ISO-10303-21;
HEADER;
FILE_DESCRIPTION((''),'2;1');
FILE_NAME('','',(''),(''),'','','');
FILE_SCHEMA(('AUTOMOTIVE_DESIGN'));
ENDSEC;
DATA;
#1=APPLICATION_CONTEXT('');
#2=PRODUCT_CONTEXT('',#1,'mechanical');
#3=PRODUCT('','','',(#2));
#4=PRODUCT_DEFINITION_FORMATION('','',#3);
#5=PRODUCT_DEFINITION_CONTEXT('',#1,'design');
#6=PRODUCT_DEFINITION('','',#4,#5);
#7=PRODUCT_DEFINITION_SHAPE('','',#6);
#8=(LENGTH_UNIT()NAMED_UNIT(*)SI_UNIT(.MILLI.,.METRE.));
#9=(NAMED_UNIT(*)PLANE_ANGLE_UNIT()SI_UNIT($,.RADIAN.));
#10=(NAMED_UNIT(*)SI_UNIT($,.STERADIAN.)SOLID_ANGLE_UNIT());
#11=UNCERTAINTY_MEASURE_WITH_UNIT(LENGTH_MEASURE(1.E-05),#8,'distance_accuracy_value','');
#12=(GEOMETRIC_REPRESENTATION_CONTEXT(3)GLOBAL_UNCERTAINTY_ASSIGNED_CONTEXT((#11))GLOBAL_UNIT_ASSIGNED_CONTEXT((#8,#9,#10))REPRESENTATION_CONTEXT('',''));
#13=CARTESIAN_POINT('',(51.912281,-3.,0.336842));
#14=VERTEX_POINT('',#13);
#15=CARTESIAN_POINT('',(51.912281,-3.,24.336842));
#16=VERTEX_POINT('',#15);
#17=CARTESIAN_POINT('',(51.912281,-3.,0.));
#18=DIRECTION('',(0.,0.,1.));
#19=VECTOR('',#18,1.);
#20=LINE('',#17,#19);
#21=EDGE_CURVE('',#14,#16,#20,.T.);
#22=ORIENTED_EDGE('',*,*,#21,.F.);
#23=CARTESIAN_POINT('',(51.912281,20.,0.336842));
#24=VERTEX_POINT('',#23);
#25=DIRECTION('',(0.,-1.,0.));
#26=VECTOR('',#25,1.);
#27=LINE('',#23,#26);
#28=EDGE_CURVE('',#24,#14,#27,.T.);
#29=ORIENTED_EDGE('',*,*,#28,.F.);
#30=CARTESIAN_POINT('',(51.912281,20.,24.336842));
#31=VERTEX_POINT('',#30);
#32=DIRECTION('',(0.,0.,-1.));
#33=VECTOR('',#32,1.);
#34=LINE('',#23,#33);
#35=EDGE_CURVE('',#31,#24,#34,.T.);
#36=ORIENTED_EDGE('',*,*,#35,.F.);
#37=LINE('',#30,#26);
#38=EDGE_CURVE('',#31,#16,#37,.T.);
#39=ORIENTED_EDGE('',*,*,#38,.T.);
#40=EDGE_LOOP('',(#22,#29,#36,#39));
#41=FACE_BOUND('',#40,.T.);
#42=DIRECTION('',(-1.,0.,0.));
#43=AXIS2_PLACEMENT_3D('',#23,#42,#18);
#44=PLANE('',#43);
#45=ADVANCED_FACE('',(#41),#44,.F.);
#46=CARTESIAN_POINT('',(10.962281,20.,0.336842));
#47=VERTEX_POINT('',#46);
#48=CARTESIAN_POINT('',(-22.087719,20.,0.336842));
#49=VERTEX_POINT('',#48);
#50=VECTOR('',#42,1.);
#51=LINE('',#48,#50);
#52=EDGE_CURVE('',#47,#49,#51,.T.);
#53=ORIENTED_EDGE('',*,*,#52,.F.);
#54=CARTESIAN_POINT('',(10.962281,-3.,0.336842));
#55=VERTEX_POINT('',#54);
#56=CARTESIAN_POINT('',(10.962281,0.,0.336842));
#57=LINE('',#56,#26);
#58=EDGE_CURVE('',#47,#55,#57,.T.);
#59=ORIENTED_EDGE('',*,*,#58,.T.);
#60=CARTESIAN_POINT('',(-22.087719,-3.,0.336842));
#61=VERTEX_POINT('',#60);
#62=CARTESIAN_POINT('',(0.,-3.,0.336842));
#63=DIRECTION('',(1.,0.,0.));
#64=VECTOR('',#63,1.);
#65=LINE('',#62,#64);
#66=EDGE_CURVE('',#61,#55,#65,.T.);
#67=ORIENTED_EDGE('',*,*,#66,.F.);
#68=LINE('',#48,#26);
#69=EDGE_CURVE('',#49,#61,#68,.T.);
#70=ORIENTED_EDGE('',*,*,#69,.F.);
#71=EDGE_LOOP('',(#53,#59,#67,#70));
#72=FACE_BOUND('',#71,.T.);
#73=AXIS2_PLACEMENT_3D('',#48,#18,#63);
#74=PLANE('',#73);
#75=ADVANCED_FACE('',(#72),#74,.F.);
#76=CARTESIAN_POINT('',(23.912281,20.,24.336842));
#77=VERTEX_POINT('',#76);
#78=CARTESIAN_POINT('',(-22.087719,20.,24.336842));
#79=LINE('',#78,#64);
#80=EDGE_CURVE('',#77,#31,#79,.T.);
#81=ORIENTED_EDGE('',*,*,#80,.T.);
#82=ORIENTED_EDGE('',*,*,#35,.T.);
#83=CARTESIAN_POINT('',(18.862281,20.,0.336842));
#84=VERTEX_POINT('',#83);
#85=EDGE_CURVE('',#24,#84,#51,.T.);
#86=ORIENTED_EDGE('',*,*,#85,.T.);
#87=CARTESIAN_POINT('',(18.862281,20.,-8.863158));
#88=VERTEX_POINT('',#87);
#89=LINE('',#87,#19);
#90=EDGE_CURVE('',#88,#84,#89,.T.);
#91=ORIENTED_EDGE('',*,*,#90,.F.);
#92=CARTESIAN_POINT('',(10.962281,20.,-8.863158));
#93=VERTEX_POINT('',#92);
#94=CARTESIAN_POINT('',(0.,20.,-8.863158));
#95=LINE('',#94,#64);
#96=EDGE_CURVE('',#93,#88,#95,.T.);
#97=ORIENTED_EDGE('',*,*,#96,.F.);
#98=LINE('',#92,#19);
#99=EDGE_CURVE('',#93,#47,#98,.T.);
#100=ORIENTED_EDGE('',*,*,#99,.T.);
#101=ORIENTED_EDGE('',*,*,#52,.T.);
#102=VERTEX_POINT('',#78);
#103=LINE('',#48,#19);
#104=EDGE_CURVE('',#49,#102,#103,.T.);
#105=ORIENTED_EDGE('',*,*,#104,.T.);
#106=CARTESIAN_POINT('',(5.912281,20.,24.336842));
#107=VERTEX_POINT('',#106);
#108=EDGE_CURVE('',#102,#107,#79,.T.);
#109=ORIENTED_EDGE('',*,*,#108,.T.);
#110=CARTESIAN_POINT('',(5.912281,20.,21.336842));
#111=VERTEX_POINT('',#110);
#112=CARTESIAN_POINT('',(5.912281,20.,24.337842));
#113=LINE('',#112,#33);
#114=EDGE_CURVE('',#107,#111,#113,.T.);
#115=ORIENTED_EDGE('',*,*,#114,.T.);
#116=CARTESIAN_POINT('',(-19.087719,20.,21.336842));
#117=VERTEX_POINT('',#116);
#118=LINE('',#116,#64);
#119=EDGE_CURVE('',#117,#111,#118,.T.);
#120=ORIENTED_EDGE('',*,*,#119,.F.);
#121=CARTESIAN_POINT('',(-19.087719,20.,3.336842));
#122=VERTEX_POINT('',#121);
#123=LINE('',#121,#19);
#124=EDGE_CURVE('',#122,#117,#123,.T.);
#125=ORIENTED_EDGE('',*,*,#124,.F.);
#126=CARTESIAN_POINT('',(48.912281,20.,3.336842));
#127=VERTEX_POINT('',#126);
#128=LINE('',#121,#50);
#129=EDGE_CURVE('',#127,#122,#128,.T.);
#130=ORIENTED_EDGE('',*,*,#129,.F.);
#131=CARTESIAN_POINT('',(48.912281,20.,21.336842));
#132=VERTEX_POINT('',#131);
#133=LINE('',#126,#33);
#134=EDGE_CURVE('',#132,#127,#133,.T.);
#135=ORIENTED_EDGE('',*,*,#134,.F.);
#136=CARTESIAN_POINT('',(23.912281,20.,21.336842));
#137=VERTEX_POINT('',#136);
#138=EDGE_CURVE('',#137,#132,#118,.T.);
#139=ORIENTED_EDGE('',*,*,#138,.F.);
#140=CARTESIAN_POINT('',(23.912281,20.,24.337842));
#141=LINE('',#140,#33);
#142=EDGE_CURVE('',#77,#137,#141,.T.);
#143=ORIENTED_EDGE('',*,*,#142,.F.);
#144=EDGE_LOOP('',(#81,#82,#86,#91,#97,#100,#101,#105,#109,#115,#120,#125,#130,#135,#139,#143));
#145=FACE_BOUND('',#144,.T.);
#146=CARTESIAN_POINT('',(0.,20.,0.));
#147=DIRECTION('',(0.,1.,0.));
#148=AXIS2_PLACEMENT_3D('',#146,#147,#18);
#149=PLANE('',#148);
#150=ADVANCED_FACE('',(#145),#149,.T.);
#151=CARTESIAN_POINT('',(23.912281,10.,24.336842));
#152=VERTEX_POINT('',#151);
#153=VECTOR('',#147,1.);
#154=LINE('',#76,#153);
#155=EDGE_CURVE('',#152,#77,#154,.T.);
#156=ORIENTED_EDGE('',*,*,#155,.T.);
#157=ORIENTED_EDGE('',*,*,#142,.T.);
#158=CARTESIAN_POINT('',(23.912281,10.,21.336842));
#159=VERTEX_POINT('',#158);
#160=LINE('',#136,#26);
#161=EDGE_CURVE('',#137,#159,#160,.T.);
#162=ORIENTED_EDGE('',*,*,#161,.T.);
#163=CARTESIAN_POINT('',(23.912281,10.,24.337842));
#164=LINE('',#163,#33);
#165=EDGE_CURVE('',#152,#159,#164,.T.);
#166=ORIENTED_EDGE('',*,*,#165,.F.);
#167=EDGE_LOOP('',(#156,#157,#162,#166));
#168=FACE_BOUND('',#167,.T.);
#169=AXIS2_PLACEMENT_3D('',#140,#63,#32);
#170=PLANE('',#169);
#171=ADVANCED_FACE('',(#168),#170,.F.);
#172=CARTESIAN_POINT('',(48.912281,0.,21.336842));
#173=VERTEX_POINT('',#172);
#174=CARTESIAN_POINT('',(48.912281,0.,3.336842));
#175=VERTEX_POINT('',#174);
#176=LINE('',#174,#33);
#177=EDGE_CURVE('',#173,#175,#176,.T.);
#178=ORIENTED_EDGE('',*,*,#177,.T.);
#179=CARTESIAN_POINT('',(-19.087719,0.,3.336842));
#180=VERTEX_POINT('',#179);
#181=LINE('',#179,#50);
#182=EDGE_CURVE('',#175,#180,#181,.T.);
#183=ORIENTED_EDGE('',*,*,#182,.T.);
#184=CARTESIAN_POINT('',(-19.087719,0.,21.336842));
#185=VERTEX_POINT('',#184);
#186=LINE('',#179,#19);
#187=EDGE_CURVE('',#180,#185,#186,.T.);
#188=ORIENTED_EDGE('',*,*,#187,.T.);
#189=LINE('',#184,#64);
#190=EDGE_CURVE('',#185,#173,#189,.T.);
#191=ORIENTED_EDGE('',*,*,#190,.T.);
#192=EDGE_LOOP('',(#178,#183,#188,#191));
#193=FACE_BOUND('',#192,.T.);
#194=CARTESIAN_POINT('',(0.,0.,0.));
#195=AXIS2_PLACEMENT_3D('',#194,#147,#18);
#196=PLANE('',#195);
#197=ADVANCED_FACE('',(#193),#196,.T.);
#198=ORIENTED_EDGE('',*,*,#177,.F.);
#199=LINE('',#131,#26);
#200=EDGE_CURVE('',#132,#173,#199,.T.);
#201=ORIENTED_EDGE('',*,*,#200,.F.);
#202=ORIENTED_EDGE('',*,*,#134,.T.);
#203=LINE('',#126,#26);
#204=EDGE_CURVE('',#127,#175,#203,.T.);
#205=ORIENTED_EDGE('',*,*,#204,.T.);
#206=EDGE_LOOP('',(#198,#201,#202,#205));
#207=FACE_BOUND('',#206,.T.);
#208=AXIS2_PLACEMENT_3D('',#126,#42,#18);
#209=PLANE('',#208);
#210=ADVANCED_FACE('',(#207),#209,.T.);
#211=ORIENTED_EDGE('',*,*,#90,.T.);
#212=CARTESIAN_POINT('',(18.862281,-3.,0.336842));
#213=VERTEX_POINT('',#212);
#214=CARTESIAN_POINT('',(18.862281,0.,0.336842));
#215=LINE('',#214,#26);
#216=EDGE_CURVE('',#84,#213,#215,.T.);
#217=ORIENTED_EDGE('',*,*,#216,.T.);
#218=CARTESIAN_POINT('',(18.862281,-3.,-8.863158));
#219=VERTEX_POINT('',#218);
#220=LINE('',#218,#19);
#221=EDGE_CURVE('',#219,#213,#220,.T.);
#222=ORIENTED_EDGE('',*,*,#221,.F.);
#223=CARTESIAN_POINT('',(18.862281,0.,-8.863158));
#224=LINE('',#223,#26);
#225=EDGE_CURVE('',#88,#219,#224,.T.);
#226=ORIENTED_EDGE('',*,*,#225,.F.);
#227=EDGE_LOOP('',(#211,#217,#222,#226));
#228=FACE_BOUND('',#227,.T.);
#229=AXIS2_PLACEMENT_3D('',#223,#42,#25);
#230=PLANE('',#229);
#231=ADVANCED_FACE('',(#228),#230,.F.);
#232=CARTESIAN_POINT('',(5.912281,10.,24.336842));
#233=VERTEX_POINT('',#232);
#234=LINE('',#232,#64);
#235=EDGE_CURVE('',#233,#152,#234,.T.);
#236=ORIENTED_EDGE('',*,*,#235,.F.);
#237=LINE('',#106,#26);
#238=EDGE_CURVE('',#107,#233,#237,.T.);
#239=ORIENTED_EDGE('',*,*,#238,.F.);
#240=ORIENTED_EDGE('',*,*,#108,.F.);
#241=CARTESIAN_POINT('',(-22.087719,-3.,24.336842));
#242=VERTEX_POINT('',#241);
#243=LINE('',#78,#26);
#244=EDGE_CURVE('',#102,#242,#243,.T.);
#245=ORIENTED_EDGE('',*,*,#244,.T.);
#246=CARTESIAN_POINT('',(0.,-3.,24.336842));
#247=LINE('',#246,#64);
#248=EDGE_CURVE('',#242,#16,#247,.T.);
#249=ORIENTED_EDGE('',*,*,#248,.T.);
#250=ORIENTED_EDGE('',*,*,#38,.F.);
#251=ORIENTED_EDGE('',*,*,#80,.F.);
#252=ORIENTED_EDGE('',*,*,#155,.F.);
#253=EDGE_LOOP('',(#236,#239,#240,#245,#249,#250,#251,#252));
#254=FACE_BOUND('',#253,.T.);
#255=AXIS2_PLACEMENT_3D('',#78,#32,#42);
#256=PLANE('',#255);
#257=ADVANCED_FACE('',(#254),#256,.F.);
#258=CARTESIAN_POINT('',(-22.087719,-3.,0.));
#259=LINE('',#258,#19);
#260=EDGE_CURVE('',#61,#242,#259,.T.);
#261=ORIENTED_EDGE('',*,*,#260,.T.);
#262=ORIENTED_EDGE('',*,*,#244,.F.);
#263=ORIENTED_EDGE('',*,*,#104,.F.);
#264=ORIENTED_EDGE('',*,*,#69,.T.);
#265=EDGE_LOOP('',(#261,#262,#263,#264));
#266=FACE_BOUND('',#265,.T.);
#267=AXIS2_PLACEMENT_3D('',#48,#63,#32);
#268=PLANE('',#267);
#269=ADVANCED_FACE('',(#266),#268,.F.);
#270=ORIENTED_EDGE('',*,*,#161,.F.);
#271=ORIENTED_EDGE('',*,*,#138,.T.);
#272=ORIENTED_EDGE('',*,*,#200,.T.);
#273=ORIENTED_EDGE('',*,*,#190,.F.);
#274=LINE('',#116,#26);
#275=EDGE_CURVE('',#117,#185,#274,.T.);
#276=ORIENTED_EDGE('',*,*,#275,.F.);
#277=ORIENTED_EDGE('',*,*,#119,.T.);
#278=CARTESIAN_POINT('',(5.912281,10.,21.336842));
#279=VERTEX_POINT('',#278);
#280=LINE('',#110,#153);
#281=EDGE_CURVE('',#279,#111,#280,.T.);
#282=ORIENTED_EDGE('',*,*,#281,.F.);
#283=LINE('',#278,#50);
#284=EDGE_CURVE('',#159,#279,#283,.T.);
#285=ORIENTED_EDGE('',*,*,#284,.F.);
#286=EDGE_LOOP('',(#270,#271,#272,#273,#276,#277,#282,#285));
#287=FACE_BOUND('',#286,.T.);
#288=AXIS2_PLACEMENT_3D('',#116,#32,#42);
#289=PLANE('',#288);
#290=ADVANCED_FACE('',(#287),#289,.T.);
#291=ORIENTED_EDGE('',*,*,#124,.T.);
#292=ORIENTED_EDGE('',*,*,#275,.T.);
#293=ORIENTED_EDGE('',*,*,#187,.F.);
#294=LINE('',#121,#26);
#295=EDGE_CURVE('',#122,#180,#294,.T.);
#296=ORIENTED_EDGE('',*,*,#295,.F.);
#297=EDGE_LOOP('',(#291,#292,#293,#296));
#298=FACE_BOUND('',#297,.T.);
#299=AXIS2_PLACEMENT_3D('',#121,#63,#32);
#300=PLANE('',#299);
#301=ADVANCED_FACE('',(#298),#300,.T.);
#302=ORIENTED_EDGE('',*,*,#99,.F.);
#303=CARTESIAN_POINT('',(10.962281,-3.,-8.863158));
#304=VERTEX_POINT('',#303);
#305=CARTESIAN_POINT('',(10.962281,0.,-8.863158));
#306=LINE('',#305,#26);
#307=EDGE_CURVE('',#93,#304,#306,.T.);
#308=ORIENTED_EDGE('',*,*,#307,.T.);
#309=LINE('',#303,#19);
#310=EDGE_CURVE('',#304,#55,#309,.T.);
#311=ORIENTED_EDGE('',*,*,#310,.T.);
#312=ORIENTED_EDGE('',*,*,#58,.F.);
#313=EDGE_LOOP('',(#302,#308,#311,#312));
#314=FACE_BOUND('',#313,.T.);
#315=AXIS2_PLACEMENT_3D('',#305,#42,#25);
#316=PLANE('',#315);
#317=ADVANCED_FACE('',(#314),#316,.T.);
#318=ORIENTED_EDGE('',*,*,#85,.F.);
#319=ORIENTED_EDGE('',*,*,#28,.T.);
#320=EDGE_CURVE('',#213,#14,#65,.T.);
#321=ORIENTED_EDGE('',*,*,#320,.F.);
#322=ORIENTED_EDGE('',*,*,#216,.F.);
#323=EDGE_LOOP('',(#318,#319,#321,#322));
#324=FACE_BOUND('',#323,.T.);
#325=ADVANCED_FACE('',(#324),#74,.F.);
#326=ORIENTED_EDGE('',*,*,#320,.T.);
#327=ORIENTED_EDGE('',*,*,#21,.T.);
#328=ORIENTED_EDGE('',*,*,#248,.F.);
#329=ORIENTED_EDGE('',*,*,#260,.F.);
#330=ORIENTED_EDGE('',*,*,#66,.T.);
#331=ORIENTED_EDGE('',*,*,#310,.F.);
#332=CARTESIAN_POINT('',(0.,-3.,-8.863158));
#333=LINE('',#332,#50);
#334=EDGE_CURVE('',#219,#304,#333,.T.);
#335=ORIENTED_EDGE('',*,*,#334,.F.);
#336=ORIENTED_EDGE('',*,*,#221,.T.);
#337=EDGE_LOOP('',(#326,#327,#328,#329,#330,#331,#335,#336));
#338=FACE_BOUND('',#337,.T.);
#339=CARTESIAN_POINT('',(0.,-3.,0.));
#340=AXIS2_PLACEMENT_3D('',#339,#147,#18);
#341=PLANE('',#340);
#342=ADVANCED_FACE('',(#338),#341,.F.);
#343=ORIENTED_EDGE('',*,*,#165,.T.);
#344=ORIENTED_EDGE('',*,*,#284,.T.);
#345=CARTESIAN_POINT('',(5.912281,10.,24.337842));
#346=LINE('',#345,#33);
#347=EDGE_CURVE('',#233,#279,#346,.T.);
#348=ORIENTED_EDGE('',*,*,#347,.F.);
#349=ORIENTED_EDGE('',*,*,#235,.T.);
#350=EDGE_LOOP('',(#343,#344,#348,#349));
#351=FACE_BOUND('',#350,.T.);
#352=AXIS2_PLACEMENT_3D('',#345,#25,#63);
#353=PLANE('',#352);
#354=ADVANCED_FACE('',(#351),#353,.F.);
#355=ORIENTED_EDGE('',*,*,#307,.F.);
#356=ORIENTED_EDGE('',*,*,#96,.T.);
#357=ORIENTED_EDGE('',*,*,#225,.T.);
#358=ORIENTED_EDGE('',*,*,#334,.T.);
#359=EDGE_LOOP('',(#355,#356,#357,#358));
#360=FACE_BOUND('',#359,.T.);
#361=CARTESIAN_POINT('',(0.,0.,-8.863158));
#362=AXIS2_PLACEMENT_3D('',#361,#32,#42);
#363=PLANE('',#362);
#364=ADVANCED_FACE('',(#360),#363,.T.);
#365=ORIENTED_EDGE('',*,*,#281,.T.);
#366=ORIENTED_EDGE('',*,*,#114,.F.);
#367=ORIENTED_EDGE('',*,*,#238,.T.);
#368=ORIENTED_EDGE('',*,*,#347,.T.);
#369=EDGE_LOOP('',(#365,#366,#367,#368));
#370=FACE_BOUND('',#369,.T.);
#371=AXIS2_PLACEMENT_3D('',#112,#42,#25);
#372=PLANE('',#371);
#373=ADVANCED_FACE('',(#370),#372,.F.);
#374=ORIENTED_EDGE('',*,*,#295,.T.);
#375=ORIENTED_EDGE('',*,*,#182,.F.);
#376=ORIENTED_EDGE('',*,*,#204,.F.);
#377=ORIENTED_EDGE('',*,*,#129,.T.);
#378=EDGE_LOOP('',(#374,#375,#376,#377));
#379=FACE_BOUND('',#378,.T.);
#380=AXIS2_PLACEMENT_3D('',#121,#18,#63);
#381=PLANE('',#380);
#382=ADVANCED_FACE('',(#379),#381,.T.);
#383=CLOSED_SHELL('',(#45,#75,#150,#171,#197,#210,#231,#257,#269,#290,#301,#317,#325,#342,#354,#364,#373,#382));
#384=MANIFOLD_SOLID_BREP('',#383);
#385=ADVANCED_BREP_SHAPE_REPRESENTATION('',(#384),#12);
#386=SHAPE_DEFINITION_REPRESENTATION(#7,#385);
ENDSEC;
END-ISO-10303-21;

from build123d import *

# Parameters (mm, degrees)
SKETCH1_W           = 74
SKETCH1_H           = 24
SKETCH1_W_2         = 68
SKETCH1_H_2         = 18
BOSS_EXTRUDE1_DEPTH = 20
SKETCH1_3_W         = 74
SKETCH1_3_H         = 24
BOSS_EXTRUDE2_DEPTH = 3
CUT_EXTRUDE1_REACH  = 61.463
SKETCH4_W           = 18
SKETCH4_H           = 10
SKETCH5_W           = 7.9
SKETCH5_H           = 23
BOSS_EXTRUDE3_DEPTH = 9.2


with BuildPart() as part:
    # Sketch1 → Boss-Extrude1 (new body)
    with BuildSketch(Plane(origin=(0, 0, 0), x_dir=(1, 0, 0), z_dir=(0, 1, 0))):
        with Locations((14.912280702, -12.336842105)):
            Rectangle(SKETCH1_W, SKETCH1_H)
        with Locations((14.912280702, -12.336842105)):
            Rectangle(SKETCH1_W_2, SKETCH1_H_2, mode=Mode.SUBTRACT)
    extrude(amount=BOSS_EXTRUDE1_DEPTH)

    # Sketch1<3> → Boss-Extrude2 (add)
    with BuildSketch(Plane(origin=(0, 0, 0), x_dir=(1, 0, 0), z_dir=(0, 1, 0))):
        with Locations((14.912280702, -12.336842105)):
            Rectangle(SKETCH1_3_W, SKETCH1_3_H)
    extrude(amount=-BOSS_EXTRUDE2_DEPTH)

    # Sketch4 → Cut-Extrude1 (cut, up to next)
    with BuildSketch(Plane(origin=(0, 0, 21.336842105), x_dir=(-1, 0, 0), z_dir=(0, 0, -1)), mode=Mode.PRIVATE) as cut_extrude1_sk1:
        with Locations((-14.912280702, 15)):
            Rectangle(SKETCH4_W, SKETCH4_H)
    cut_extrude1_tool1 = extrude(cut_extrude1_sk1.sketch, amount=-CUT_EXTRUDE1_REACH, mode=Mode.PRIVATE) & part.part
    add(cut_extrude1_tool1.solids().sort_by_distance((14.912281, 15, 21.336842))[0], mode=Mode.SUBTRACT)

    # Sketch5 → Boss-Extrude3 (add)
    with BuildSketch(Plane(origin=(0, 0, 0.336842105), x_dir=(-1, 0, 0), z_dir=(0, 0, -1))):
        with Locations((-14.912280702, 8.5)):
            Rectangle(SKETCH5_W, SKETCH5_H)
    extrude(amount=BOSS_EXTRUDE3_DEPTH)


solid = part.part
